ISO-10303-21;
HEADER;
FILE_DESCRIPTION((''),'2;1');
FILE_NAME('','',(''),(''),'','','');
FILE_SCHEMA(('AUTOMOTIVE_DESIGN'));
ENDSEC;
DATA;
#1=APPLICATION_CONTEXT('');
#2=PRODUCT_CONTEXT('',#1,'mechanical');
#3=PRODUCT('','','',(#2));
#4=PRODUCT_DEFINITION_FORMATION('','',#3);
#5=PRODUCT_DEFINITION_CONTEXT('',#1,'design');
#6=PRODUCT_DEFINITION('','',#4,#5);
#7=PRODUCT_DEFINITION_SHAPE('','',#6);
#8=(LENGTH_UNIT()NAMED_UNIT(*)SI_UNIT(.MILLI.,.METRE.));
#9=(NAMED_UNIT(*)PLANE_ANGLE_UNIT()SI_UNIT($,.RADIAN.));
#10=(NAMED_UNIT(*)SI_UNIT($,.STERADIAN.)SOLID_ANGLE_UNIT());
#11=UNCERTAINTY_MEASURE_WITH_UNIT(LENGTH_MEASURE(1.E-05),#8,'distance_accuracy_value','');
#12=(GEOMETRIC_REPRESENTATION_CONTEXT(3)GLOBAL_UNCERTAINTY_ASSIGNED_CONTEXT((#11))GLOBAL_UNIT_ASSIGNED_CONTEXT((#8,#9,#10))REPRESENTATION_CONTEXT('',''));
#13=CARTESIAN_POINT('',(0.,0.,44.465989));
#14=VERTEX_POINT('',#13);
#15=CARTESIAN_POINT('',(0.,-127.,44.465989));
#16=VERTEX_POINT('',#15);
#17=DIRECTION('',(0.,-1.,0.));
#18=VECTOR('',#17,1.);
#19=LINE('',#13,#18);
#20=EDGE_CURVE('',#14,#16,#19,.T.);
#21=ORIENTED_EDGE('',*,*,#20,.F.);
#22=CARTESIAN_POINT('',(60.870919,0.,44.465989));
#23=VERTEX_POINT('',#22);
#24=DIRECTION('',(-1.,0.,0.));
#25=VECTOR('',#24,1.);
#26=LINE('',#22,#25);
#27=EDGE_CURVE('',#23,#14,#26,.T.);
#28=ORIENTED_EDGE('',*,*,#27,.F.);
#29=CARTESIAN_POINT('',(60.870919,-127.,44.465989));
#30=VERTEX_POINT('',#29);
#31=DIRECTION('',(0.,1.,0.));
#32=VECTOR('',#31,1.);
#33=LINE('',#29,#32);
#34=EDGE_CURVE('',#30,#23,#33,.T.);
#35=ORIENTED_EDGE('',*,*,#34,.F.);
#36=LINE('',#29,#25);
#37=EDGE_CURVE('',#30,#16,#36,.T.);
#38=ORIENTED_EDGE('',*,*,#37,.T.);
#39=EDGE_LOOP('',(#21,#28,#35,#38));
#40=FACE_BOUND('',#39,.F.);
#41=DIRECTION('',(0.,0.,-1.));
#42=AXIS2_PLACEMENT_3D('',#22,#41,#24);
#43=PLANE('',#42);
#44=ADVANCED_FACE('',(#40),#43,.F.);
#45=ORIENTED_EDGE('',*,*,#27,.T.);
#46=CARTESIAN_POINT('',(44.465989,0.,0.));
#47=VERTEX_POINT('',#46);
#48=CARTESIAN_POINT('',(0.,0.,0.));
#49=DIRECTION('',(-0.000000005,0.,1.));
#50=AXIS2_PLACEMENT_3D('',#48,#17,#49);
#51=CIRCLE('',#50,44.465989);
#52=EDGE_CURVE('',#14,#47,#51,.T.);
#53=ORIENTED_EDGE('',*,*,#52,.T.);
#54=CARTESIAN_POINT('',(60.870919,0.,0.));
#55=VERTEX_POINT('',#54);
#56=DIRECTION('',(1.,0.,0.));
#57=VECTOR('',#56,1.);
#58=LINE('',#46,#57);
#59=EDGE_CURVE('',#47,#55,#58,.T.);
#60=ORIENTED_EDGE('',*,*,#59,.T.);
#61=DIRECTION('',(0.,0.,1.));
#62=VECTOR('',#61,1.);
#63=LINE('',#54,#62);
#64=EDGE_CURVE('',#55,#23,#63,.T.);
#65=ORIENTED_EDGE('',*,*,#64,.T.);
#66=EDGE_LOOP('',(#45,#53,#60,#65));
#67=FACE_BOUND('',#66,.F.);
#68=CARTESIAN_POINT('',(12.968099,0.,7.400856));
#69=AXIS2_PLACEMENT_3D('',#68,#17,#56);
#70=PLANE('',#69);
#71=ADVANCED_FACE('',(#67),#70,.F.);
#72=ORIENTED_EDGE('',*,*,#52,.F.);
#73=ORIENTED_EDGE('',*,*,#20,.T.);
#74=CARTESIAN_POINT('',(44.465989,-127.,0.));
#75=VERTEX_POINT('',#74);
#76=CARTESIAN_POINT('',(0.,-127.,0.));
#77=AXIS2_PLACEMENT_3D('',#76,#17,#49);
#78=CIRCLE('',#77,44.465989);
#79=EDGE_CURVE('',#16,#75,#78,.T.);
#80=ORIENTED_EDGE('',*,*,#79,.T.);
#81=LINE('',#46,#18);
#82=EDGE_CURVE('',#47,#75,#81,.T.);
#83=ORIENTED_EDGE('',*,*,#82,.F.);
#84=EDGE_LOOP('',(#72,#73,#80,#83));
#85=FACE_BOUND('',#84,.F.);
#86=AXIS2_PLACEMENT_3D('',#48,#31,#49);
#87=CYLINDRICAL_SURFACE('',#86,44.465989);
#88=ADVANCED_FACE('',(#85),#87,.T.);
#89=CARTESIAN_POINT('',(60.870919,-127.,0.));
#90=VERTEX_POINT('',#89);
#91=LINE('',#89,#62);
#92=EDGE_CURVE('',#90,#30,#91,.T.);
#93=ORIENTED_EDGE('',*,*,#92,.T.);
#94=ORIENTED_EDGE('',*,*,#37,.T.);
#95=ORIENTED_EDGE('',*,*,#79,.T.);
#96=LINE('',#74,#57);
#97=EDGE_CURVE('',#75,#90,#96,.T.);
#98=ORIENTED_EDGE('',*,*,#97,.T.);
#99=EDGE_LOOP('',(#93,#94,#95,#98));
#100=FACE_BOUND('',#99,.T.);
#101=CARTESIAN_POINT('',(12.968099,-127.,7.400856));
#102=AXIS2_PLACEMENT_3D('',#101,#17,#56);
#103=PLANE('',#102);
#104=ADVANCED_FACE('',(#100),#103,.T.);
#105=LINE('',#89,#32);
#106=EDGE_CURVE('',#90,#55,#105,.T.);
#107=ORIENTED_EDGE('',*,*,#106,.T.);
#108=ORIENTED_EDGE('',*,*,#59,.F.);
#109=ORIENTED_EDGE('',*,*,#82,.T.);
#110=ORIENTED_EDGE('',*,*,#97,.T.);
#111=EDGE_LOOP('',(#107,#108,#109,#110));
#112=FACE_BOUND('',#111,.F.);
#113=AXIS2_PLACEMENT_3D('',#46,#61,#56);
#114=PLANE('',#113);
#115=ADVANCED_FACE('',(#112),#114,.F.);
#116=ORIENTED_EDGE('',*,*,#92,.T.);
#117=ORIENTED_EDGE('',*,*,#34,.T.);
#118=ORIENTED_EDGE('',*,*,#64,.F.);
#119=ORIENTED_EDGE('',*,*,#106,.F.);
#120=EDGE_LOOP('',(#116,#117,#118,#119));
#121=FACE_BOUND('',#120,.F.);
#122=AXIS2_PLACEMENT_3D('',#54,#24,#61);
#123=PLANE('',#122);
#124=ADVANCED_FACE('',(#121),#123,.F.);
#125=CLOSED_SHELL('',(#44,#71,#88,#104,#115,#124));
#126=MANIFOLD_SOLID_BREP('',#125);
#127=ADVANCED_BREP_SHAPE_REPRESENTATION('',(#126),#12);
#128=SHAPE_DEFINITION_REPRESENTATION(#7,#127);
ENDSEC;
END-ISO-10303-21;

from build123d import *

# Parameters (mm, degrees)
F1_DEPTH = 25.4
F2_DEPTH = 127


with BuildPart() as f1:
    # F0 (on Front) → F1 (new body)
    with BuildSketch(Plane.XZ):
        with BuildLine():
            Line((60.870919, 44.465989), (0, 44.465989))
            ThreePointArc((0, 44.465989), (-31.442202, -31.442202), (44.465989, 0))
            Line((44.465989, 0), (60.870919, 0))
            Line((60.870919, 0), (60.870919, 44.465989))
        make_face()
    extrude(amount=F1_DEPTH)

    # F0 (on Front) → F2 (join)
    with BuildSketch(Plane.XZ):
        with BuildLine():
            Line((60.870919, 44.465989), (0, 44.465989))
            ThreePointArc((0, 44.465989), (-31.442202, -31.442202), (44.465989, 0))
            Line((44.465989, 0), (60.870919, 0))
            Line((60.870919, 0), (60.870919, 44.465989))
        make_face()
    extrude(amount=F2_DEPTH)


solid = f1.part
